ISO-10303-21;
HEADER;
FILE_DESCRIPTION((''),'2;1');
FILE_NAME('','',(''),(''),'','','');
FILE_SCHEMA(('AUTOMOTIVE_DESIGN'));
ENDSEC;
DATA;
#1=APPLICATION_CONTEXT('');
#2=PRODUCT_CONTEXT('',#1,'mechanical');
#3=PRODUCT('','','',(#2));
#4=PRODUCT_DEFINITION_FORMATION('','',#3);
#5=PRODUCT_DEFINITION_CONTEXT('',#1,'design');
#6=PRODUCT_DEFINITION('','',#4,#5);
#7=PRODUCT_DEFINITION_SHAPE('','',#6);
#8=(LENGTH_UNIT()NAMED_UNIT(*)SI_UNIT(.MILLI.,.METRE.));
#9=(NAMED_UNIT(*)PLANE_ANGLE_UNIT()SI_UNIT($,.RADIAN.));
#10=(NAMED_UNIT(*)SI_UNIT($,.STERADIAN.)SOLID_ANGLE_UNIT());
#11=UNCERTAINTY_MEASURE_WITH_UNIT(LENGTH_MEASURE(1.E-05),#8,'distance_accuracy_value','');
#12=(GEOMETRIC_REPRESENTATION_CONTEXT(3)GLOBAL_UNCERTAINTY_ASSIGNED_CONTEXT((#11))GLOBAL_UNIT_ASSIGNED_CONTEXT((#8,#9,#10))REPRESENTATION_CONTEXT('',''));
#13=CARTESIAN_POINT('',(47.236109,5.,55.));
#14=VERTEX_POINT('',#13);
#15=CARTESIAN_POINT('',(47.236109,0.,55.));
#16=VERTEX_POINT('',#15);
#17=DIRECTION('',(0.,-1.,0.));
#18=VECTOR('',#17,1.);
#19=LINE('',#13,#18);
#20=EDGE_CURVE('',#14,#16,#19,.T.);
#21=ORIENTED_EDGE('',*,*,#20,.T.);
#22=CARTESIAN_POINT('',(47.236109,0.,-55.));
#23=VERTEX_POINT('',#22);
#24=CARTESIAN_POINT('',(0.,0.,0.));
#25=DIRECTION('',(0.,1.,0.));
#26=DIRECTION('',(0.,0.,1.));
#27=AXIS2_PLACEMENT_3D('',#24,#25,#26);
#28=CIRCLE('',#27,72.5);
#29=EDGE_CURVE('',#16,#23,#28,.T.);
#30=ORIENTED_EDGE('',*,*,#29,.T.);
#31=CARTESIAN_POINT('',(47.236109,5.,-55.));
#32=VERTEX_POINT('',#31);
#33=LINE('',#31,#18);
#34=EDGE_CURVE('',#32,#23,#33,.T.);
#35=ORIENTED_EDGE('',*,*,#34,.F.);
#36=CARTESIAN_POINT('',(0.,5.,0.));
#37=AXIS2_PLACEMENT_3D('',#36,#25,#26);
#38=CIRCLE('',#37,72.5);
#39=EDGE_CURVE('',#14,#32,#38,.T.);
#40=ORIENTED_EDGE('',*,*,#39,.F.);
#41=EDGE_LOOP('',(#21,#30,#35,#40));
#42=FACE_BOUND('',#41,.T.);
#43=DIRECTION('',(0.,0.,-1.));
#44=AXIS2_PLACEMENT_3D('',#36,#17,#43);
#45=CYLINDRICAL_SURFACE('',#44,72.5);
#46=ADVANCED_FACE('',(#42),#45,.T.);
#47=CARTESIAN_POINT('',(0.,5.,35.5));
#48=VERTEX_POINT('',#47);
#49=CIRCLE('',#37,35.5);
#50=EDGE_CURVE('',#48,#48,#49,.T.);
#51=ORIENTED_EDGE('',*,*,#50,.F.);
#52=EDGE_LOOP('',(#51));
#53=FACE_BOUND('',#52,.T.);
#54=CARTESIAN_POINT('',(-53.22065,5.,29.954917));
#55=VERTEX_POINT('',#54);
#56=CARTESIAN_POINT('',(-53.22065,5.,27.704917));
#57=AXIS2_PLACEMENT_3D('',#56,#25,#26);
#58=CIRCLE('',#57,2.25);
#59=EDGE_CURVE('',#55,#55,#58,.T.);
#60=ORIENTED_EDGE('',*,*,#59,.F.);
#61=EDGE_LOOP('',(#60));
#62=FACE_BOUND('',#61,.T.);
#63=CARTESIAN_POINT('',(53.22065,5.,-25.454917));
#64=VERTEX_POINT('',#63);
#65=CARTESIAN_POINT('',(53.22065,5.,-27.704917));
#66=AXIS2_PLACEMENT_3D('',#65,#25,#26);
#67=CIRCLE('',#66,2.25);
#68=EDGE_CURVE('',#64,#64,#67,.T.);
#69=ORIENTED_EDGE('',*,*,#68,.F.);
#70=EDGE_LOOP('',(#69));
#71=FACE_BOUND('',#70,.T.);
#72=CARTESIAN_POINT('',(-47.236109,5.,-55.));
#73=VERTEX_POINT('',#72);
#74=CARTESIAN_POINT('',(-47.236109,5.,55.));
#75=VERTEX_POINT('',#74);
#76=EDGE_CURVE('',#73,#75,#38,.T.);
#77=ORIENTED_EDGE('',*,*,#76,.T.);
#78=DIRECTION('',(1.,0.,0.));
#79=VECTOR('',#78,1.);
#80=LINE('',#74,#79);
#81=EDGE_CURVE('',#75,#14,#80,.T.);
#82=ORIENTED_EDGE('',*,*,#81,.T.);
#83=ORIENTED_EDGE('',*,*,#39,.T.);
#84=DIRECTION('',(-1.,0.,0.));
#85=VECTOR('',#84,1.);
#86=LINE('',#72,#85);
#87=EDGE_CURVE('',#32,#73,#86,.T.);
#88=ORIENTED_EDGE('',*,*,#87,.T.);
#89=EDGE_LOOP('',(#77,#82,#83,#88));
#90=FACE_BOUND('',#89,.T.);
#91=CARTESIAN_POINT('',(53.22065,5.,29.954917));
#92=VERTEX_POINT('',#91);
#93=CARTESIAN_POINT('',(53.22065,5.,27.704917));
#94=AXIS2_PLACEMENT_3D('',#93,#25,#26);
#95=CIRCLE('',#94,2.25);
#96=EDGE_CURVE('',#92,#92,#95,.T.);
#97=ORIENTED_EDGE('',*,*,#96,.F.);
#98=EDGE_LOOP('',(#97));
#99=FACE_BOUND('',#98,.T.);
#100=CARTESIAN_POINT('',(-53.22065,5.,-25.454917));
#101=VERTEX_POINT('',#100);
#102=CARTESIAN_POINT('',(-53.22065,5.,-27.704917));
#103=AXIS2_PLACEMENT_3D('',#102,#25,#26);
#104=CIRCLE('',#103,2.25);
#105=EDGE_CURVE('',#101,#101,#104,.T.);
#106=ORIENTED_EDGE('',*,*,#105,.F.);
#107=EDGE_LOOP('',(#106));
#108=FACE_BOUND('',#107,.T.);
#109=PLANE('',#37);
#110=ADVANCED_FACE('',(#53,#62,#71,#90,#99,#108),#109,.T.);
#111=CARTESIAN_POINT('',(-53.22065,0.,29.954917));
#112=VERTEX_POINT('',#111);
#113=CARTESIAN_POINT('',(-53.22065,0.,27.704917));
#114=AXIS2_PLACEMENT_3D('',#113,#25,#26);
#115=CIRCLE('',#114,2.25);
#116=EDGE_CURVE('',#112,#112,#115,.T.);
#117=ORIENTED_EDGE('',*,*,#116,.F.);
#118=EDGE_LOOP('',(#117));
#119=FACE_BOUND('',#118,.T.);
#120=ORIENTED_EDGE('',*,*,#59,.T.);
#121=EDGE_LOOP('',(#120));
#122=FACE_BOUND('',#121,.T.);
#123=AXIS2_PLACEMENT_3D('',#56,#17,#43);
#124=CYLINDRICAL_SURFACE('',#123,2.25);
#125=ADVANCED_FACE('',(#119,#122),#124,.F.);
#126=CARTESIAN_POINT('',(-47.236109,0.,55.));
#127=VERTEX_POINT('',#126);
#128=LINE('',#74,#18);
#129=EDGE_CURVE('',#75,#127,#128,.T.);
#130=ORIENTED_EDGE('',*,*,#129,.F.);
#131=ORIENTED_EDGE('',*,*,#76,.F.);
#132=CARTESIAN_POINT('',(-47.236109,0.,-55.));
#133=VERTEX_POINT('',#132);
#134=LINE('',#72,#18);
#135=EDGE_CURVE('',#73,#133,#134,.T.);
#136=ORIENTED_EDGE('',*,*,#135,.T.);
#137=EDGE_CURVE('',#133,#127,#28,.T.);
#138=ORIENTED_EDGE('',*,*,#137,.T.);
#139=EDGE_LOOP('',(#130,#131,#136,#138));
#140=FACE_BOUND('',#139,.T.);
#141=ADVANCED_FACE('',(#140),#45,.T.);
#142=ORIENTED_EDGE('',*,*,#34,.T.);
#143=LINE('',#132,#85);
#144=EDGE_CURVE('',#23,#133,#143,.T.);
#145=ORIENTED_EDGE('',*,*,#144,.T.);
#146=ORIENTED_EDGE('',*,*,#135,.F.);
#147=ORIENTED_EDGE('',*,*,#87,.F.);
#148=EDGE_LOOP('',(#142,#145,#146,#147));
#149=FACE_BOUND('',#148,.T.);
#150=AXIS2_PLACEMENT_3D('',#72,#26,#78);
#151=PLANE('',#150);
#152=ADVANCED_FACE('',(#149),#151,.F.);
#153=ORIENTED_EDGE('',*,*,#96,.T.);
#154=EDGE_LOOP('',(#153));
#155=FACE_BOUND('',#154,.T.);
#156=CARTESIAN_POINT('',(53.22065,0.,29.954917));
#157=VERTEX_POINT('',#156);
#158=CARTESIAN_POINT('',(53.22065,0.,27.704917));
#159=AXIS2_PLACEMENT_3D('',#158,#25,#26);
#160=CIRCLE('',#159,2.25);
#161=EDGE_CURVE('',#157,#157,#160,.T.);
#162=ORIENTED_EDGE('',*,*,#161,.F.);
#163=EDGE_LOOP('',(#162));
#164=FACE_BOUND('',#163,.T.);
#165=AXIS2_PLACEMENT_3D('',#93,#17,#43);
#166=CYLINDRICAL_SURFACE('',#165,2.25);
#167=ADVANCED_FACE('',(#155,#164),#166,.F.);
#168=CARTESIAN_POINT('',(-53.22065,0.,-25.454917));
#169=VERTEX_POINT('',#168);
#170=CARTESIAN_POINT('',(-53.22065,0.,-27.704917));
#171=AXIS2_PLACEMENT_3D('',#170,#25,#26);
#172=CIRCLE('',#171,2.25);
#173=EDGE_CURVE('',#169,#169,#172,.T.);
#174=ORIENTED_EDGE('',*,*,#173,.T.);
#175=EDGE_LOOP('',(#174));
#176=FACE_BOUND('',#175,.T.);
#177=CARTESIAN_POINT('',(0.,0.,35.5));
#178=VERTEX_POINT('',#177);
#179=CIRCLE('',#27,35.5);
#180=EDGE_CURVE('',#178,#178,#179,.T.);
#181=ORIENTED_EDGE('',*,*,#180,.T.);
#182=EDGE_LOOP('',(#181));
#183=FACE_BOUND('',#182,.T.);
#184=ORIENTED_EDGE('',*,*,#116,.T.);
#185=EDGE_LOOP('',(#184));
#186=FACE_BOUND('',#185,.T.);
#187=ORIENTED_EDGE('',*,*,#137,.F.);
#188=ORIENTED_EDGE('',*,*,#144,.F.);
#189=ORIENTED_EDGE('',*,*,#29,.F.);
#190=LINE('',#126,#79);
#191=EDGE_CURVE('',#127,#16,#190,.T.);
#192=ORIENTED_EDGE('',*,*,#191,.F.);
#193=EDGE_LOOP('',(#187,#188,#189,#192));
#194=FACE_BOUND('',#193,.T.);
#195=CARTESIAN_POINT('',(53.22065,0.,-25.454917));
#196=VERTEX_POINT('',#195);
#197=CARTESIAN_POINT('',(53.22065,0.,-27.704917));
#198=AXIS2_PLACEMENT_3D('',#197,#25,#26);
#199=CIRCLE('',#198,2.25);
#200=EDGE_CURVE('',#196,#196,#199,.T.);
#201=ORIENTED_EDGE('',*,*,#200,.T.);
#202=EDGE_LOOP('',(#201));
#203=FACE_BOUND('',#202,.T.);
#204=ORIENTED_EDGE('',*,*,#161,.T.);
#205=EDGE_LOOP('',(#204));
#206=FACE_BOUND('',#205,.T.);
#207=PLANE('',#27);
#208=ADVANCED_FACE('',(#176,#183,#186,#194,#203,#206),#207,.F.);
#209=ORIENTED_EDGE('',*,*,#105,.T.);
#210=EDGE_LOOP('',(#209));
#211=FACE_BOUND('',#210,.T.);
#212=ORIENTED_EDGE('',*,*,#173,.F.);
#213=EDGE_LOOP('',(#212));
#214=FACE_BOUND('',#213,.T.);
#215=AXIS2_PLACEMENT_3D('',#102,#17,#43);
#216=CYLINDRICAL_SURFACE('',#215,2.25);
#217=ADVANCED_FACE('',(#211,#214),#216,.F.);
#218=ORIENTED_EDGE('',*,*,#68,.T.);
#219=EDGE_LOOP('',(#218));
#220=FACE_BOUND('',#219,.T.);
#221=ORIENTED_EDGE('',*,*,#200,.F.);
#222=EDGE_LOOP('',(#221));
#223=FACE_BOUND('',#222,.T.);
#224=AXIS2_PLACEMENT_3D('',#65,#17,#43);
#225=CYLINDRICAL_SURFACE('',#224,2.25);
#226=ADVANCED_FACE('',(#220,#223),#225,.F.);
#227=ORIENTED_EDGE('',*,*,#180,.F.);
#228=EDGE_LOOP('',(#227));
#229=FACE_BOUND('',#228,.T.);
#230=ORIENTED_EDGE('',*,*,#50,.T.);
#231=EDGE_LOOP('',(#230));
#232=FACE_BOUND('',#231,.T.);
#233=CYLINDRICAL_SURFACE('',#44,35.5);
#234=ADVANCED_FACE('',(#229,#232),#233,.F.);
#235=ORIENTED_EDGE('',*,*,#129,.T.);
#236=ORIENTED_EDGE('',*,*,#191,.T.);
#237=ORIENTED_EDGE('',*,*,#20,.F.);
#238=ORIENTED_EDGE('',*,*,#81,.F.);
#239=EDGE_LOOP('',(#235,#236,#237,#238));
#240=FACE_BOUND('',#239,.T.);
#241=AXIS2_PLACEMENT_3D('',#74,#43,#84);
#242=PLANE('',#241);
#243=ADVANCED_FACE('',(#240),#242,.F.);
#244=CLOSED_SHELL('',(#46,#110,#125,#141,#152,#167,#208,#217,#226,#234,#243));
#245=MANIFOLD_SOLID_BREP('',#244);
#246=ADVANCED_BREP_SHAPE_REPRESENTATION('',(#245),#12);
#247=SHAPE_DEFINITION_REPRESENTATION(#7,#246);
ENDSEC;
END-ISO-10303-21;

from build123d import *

# Parameters (mm, degrees)
SKETCH_1_R      = 35.5
SKETCH_1_R_2    = 2.25
EXTRUDE_1_DEPTH = 5


with BuildPart() as part:
    # Эскиз1 → Бобышка-Вытянуть1 (new body)
    with BuildSketch(Plane(origin=(0, 0, 0), x_dir=(1, 0, 0), z_dir=(0, 1, 0))):
        with BuildLine():
            Line((-47.236109069, -55), (47.236109069, -55))
            ThreePointArc((47.236109069, -55), (72.5, 0), (47.236109069, 55))
            Line((47.236109069, 55), (-47.236109069, 55))
            ThreePointArc((-47.236109069, 55), (-72.5, 0), (-47.236109069, -55))
        make_face()
        Circle(SKETCH_1_R, mode=Mode.SUBTRACT)
        with Locations((53.220649991, 27.704916794)):
            Circle(SKETCH_1_R_2, mode=Mode.SUBTRACT)
        with Locations((53.220649991, -27.704916794)):
            Circle(SKETCH_1_R_2, mode=Mode.SUBTRACT)
        with Locations((-53.220649991, -27.704916794)):
            Circle(SKETCH_1_R_2, mode=Mode.SUBTRACT)
        with Locations((-53.220649991, 27.704916794)):
            Circle(SKETCH_1_R_2, mode=Mode.SUBTRACT)
    extrude(amount=EXTRUDE_1_DEPTH)


solid = part.part
